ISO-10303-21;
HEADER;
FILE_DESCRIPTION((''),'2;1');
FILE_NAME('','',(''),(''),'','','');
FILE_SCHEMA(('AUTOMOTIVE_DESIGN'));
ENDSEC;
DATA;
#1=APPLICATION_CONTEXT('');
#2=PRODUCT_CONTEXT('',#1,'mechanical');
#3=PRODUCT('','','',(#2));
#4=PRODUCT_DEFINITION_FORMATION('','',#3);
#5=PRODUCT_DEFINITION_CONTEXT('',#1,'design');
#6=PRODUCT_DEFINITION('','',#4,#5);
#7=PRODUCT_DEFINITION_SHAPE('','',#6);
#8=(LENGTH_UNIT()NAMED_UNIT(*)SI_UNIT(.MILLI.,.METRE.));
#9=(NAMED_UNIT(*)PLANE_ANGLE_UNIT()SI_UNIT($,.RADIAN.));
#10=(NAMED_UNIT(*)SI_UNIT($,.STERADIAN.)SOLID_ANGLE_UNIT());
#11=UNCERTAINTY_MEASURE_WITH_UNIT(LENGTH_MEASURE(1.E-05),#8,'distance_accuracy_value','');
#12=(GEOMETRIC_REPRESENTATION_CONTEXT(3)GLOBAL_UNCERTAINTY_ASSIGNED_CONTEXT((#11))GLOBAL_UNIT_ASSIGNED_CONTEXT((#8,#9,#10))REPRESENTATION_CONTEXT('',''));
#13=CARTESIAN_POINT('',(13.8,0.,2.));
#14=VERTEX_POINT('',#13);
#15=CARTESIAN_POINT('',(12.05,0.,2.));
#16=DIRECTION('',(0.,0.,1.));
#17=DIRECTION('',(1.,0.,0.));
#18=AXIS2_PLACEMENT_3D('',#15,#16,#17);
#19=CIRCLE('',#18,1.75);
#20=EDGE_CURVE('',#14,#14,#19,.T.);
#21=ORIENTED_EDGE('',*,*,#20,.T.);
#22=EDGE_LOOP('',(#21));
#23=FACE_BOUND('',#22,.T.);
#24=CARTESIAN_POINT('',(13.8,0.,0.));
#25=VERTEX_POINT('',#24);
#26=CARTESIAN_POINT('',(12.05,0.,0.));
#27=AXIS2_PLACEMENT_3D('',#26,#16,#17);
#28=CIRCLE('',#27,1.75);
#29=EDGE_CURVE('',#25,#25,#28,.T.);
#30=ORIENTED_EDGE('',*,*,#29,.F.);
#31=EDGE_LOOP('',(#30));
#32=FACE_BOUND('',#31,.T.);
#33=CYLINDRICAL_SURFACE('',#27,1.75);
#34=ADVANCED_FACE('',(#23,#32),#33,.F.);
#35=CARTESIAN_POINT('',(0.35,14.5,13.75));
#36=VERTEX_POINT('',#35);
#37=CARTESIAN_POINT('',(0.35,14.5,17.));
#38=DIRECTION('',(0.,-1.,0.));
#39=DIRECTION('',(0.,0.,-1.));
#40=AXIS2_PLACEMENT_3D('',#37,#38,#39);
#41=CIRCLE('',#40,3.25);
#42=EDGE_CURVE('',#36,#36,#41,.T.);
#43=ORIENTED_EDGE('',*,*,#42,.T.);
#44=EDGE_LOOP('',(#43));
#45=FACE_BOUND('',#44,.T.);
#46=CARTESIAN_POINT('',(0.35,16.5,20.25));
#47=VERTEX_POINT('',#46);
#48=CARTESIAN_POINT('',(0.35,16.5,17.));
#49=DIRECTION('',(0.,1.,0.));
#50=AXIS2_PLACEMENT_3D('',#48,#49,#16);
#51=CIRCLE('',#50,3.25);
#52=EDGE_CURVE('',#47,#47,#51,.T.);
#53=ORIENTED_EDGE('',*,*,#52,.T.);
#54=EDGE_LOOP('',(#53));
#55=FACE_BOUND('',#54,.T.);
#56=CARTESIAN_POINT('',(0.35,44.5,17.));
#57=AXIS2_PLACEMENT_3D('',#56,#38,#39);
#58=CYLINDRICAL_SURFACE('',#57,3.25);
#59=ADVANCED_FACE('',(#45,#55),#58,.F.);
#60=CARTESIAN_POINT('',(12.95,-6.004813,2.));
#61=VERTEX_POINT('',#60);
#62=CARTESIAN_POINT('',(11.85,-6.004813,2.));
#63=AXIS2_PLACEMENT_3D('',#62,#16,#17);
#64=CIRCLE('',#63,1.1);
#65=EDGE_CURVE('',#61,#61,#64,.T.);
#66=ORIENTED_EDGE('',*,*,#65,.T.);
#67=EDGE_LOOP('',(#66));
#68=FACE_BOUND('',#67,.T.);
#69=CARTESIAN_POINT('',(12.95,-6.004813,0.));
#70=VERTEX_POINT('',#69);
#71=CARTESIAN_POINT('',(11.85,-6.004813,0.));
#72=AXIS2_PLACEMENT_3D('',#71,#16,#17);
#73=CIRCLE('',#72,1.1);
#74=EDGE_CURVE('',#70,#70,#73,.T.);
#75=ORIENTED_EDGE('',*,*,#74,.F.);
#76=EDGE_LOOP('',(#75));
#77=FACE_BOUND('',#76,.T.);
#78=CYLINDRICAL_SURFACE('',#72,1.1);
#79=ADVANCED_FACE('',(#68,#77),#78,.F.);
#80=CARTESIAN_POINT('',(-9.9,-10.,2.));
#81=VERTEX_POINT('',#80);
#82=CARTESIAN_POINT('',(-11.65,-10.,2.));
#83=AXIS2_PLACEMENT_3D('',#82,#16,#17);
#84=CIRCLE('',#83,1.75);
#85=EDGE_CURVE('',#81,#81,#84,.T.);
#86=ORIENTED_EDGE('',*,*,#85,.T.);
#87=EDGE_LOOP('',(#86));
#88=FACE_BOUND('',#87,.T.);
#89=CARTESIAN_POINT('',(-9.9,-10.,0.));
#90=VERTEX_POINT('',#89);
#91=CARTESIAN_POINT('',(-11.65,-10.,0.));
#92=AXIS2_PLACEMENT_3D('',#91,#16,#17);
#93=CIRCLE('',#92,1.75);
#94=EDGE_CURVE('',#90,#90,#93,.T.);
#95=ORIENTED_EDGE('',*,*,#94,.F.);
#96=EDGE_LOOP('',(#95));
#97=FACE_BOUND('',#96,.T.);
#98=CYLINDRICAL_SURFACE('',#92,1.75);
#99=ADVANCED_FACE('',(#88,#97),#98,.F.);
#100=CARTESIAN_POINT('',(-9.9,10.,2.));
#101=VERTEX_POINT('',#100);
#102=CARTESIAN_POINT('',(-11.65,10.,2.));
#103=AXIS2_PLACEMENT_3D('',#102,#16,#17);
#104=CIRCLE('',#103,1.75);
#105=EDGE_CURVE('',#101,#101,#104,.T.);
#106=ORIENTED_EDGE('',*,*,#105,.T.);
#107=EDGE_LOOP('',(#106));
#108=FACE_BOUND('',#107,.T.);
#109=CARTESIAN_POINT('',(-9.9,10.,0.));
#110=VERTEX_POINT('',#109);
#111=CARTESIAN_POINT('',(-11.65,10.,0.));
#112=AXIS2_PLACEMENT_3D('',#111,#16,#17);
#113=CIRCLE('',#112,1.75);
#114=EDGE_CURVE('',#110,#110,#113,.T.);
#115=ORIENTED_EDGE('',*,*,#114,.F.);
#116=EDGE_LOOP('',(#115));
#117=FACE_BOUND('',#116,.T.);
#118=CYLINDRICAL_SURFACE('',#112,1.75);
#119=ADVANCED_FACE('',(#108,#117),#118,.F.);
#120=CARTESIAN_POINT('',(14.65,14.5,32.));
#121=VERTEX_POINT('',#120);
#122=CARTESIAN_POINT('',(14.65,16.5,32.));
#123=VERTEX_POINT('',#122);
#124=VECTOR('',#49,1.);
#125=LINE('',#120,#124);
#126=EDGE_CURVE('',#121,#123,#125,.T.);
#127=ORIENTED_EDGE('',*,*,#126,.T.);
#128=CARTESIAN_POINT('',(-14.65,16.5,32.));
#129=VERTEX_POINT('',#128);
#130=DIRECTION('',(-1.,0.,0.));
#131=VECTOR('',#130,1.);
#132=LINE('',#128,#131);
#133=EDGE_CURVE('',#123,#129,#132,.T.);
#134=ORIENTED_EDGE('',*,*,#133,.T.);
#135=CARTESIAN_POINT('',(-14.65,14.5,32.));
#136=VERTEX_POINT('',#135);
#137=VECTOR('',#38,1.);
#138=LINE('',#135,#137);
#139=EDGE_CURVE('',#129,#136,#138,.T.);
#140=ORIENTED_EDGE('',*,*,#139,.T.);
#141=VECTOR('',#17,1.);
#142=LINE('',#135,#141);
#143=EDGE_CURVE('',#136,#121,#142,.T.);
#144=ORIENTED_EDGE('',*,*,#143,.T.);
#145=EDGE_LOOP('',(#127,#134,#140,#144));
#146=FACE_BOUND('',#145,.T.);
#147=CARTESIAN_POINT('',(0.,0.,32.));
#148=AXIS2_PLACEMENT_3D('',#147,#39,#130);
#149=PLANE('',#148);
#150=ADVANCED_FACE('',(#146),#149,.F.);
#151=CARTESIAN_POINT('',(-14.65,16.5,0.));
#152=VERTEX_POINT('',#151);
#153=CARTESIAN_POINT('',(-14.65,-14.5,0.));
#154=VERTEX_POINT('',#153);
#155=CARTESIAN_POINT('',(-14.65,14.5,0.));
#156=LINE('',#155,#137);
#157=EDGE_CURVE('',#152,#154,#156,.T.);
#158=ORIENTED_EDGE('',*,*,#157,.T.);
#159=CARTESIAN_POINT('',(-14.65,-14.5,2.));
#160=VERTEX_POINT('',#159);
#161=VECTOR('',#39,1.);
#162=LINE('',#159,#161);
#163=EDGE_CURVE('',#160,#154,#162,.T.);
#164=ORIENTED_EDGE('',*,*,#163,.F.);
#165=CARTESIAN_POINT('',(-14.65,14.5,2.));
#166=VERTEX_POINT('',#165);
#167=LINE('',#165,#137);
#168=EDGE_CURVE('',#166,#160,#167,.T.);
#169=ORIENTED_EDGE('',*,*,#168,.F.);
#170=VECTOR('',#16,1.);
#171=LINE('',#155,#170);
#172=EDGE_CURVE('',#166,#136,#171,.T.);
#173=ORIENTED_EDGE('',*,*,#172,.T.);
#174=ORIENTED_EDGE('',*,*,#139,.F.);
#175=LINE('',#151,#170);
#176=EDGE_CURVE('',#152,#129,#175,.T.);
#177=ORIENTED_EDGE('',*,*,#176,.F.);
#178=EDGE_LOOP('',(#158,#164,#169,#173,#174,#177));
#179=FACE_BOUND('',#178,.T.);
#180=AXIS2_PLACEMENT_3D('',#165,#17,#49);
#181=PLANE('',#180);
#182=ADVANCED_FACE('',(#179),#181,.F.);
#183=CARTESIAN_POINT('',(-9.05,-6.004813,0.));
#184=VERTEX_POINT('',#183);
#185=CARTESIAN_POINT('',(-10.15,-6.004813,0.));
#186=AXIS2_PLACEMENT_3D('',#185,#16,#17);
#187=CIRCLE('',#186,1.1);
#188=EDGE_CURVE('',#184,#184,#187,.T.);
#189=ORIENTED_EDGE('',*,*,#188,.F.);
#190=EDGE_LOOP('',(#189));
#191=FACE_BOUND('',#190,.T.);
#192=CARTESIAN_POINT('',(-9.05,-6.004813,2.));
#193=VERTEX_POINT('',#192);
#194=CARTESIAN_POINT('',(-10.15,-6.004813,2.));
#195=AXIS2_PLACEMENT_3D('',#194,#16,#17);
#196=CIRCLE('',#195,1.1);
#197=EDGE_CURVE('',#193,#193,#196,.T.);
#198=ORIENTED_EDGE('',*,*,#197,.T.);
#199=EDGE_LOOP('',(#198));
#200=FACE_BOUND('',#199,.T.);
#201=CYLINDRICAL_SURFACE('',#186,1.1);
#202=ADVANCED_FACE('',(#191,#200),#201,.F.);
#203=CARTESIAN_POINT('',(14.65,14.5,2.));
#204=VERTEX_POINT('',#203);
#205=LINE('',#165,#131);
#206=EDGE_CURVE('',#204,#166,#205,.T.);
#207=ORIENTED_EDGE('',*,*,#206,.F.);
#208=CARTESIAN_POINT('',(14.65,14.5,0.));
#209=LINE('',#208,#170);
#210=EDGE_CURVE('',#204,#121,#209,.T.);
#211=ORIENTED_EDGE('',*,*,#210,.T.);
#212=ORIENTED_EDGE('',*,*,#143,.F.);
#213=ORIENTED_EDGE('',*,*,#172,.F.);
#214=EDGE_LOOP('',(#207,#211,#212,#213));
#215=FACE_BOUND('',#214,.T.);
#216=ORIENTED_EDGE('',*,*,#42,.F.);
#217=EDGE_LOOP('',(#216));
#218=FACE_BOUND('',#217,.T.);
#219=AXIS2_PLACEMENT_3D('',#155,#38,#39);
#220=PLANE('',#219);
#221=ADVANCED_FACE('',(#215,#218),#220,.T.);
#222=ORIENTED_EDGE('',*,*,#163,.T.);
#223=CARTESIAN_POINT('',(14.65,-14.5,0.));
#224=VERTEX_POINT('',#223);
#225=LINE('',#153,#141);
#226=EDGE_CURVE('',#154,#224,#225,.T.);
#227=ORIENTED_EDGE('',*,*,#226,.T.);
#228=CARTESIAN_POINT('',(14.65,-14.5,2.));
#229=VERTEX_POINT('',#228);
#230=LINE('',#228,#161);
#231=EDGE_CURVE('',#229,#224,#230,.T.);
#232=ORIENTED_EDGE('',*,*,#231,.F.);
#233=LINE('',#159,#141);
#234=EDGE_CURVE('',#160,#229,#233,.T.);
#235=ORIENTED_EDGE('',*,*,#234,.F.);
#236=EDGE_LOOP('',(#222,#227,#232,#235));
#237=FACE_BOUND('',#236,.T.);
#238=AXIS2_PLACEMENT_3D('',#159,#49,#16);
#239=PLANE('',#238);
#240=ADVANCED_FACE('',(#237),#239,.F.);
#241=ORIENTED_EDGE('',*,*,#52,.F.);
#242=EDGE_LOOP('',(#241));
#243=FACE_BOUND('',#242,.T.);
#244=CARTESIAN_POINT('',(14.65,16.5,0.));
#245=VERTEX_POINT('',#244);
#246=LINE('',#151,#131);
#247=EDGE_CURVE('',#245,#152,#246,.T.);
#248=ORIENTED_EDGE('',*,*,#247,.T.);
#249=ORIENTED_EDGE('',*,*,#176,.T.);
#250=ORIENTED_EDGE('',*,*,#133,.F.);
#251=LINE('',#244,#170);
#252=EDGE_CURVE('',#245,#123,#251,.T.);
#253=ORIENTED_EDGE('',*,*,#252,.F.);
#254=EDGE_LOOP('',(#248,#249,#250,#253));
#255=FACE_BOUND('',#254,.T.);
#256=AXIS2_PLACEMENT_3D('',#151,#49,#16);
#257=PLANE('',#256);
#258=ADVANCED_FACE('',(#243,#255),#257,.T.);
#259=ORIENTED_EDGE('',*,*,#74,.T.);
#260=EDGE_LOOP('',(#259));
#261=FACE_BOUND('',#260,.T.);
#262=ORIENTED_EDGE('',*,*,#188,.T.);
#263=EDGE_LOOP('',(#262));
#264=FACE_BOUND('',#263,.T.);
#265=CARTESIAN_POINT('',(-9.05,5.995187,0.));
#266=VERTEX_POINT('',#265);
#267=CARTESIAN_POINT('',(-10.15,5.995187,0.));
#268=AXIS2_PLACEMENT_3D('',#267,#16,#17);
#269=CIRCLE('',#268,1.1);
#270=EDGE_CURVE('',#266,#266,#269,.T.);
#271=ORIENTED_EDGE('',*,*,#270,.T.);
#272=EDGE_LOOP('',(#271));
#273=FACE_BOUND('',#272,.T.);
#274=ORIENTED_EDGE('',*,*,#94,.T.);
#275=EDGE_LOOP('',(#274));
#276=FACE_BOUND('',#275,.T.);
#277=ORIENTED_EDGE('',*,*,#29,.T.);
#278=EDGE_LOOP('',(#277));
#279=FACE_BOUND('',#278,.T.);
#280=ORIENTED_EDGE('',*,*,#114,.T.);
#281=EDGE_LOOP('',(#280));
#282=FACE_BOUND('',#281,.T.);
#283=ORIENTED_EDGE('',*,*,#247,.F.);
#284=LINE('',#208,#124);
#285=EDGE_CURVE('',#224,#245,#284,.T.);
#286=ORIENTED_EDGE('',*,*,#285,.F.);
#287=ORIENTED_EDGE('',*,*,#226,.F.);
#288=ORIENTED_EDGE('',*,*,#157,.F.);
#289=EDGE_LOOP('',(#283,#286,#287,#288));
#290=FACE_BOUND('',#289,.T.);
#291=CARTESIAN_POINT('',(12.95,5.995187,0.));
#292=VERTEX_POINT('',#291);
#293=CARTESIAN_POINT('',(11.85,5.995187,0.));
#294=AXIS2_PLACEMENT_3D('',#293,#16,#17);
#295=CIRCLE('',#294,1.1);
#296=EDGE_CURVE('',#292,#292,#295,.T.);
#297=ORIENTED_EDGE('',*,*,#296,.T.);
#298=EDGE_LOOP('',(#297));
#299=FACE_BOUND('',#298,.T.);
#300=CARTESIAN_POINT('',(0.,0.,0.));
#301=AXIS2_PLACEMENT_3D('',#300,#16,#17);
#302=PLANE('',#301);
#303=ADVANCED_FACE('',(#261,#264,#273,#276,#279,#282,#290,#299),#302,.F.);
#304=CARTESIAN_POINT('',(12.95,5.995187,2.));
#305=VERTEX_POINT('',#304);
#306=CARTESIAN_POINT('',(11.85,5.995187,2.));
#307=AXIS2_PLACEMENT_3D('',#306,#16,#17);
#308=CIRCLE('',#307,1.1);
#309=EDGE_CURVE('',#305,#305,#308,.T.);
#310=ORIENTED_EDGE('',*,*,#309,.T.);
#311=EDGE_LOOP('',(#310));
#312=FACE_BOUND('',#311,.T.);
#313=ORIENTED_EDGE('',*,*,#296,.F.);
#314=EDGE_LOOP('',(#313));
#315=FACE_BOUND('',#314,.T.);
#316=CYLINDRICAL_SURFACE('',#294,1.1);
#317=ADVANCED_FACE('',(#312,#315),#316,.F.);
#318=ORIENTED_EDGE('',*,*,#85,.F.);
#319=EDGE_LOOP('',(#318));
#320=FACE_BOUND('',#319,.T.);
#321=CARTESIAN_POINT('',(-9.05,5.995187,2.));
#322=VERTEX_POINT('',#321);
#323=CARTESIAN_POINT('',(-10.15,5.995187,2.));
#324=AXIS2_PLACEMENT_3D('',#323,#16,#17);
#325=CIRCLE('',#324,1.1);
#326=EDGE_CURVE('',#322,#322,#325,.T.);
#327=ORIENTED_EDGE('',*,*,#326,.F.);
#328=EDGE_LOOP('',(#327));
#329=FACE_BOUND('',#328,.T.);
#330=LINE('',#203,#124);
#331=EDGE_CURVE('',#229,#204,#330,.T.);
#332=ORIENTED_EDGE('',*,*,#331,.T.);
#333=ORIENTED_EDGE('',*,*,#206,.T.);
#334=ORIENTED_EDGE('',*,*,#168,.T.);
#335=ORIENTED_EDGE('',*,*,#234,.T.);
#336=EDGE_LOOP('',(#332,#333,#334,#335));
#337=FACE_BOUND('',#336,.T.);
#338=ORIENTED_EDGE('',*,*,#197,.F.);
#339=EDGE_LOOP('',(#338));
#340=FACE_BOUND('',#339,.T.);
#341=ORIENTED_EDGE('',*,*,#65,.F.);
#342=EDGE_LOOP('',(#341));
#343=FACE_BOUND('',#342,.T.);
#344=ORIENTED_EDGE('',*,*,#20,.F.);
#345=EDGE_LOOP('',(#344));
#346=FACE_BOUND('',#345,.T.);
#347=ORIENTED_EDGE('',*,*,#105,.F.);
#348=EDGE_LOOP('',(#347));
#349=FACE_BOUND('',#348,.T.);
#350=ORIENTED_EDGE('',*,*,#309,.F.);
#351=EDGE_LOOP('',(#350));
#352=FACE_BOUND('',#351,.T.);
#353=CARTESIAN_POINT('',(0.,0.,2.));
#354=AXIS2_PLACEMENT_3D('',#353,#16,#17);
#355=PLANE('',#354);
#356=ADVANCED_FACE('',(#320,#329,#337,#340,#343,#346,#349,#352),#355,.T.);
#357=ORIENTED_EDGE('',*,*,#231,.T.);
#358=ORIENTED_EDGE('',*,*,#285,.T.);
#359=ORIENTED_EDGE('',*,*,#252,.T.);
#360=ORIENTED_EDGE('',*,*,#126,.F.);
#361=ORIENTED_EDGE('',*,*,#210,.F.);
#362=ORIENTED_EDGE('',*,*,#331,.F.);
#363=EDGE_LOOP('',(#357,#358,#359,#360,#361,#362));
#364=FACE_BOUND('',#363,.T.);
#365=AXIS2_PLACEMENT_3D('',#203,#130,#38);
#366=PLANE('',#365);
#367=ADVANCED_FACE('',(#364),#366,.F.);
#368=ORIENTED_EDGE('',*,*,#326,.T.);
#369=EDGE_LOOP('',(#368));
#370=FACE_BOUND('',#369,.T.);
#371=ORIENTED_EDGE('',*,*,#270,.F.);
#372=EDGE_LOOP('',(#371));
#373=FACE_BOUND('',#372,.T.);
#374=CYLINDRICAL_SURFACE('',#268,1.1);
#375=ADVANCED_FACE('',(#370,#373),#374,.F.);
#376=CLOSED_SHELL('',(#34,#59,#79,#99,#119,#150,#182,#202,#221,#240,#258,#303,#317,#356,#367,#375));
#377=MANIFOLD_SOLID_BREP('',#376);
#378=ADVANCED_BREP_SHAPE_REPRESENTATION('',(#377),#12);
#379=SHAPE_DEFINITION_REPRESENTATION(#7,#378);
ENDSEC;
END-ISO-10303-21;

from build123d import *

# Parameters (mm, degrees)
SKETCH_1_W           = 29.3
SKETCH_1_H           = 29
EXTRUDE_1_DEPTH      = 2
SKETCH_2_R           = 1.75
CUT_EXTRUDE_1_DEPTH  = 2
SKETCH_3_R           = 1.1
CUT_EXTRUDE_2_DEPTH  = 2
SKETCH_4_W           = 29.3
SKETCH_4_H           = 2
EXTRUDE_2_DEPTH      = 30
EXTRUDE_2_DEPTH_BACK = 2
SKETCH_5_R           = 3.25
CUT_EXTRUDE_3_DEPTH  = 30


with BuildPart() as part:
    # 草图1 → 凸台-拉伸1 (new body)
    with BuildSketch(Plane.XY):
        Rectangle(SKETCH_1_W, SKETCH_1_H)
    extrude(amount=EXTRUDE_1_DEPTH)

    # 草图2 → 切除-拉伸1 (cut)
    with BuildSketch(Plane.XY.offset(2)):
        with Locations((-11.65, 10)):
            Circle(SKETCH_2_R)
        with Locations((-11.65, -10)):
            Circle(SKETCH_2_R)
        with Locations((12.05, 0)):
            Circle(SKETCH_2_R)
    extrude(amount=-CUT_EXTRUDE_1_DEPTH, mode=Mode.SUBTRACT)

    # 草图3 → 切除-拉伸2 (cut)
    with BuildSketch(Plane.XY.offset(2)):
        with Locations((-10.15, 5.995187484)):
            Circle(SKETCH_3_R)
        with Locations((-10.15, -6.004812516)):
            Circle(SKETCH_3_R)
        with Locations((11.85, 5.995187484)):
            Circle(SKETCH_3_R)
        with Locations((11.85, -6.004812516)):
            Circle(SKETCH_3_R)
    extrude(amount=-CUT_EXTRUDE_2_DEPTH, mode=Mode.SUBTRACT)

    # 草图4 → 凸台-拉伸2 (add, two sides)
    with BuildSketch(Plane.XY.offset(2)) as extrude_2_sk:
        with Locations((0, 15.5)):
            Rectangle(SKETCH_4_W, SKETCH_4_H)
    extrude(amount=EXTRUDE_2_DEPTH)
    extrude(extrude_2_sk.sketch, amount=-EXTRUDE_2_DEPTH_BACK)

    # 草图5 → 切除-拉伸3 (cut)
    with BuildSketch(Plane.XZ.offset(-14.5)):
        with Locations((0.35, 17)):
            Circle(SKETCH_5_R)
    extrude(amount=-CUT_EXTRUDE_3_DEPTH, mode=Mode.SUBTRACT)


solid = part.part
